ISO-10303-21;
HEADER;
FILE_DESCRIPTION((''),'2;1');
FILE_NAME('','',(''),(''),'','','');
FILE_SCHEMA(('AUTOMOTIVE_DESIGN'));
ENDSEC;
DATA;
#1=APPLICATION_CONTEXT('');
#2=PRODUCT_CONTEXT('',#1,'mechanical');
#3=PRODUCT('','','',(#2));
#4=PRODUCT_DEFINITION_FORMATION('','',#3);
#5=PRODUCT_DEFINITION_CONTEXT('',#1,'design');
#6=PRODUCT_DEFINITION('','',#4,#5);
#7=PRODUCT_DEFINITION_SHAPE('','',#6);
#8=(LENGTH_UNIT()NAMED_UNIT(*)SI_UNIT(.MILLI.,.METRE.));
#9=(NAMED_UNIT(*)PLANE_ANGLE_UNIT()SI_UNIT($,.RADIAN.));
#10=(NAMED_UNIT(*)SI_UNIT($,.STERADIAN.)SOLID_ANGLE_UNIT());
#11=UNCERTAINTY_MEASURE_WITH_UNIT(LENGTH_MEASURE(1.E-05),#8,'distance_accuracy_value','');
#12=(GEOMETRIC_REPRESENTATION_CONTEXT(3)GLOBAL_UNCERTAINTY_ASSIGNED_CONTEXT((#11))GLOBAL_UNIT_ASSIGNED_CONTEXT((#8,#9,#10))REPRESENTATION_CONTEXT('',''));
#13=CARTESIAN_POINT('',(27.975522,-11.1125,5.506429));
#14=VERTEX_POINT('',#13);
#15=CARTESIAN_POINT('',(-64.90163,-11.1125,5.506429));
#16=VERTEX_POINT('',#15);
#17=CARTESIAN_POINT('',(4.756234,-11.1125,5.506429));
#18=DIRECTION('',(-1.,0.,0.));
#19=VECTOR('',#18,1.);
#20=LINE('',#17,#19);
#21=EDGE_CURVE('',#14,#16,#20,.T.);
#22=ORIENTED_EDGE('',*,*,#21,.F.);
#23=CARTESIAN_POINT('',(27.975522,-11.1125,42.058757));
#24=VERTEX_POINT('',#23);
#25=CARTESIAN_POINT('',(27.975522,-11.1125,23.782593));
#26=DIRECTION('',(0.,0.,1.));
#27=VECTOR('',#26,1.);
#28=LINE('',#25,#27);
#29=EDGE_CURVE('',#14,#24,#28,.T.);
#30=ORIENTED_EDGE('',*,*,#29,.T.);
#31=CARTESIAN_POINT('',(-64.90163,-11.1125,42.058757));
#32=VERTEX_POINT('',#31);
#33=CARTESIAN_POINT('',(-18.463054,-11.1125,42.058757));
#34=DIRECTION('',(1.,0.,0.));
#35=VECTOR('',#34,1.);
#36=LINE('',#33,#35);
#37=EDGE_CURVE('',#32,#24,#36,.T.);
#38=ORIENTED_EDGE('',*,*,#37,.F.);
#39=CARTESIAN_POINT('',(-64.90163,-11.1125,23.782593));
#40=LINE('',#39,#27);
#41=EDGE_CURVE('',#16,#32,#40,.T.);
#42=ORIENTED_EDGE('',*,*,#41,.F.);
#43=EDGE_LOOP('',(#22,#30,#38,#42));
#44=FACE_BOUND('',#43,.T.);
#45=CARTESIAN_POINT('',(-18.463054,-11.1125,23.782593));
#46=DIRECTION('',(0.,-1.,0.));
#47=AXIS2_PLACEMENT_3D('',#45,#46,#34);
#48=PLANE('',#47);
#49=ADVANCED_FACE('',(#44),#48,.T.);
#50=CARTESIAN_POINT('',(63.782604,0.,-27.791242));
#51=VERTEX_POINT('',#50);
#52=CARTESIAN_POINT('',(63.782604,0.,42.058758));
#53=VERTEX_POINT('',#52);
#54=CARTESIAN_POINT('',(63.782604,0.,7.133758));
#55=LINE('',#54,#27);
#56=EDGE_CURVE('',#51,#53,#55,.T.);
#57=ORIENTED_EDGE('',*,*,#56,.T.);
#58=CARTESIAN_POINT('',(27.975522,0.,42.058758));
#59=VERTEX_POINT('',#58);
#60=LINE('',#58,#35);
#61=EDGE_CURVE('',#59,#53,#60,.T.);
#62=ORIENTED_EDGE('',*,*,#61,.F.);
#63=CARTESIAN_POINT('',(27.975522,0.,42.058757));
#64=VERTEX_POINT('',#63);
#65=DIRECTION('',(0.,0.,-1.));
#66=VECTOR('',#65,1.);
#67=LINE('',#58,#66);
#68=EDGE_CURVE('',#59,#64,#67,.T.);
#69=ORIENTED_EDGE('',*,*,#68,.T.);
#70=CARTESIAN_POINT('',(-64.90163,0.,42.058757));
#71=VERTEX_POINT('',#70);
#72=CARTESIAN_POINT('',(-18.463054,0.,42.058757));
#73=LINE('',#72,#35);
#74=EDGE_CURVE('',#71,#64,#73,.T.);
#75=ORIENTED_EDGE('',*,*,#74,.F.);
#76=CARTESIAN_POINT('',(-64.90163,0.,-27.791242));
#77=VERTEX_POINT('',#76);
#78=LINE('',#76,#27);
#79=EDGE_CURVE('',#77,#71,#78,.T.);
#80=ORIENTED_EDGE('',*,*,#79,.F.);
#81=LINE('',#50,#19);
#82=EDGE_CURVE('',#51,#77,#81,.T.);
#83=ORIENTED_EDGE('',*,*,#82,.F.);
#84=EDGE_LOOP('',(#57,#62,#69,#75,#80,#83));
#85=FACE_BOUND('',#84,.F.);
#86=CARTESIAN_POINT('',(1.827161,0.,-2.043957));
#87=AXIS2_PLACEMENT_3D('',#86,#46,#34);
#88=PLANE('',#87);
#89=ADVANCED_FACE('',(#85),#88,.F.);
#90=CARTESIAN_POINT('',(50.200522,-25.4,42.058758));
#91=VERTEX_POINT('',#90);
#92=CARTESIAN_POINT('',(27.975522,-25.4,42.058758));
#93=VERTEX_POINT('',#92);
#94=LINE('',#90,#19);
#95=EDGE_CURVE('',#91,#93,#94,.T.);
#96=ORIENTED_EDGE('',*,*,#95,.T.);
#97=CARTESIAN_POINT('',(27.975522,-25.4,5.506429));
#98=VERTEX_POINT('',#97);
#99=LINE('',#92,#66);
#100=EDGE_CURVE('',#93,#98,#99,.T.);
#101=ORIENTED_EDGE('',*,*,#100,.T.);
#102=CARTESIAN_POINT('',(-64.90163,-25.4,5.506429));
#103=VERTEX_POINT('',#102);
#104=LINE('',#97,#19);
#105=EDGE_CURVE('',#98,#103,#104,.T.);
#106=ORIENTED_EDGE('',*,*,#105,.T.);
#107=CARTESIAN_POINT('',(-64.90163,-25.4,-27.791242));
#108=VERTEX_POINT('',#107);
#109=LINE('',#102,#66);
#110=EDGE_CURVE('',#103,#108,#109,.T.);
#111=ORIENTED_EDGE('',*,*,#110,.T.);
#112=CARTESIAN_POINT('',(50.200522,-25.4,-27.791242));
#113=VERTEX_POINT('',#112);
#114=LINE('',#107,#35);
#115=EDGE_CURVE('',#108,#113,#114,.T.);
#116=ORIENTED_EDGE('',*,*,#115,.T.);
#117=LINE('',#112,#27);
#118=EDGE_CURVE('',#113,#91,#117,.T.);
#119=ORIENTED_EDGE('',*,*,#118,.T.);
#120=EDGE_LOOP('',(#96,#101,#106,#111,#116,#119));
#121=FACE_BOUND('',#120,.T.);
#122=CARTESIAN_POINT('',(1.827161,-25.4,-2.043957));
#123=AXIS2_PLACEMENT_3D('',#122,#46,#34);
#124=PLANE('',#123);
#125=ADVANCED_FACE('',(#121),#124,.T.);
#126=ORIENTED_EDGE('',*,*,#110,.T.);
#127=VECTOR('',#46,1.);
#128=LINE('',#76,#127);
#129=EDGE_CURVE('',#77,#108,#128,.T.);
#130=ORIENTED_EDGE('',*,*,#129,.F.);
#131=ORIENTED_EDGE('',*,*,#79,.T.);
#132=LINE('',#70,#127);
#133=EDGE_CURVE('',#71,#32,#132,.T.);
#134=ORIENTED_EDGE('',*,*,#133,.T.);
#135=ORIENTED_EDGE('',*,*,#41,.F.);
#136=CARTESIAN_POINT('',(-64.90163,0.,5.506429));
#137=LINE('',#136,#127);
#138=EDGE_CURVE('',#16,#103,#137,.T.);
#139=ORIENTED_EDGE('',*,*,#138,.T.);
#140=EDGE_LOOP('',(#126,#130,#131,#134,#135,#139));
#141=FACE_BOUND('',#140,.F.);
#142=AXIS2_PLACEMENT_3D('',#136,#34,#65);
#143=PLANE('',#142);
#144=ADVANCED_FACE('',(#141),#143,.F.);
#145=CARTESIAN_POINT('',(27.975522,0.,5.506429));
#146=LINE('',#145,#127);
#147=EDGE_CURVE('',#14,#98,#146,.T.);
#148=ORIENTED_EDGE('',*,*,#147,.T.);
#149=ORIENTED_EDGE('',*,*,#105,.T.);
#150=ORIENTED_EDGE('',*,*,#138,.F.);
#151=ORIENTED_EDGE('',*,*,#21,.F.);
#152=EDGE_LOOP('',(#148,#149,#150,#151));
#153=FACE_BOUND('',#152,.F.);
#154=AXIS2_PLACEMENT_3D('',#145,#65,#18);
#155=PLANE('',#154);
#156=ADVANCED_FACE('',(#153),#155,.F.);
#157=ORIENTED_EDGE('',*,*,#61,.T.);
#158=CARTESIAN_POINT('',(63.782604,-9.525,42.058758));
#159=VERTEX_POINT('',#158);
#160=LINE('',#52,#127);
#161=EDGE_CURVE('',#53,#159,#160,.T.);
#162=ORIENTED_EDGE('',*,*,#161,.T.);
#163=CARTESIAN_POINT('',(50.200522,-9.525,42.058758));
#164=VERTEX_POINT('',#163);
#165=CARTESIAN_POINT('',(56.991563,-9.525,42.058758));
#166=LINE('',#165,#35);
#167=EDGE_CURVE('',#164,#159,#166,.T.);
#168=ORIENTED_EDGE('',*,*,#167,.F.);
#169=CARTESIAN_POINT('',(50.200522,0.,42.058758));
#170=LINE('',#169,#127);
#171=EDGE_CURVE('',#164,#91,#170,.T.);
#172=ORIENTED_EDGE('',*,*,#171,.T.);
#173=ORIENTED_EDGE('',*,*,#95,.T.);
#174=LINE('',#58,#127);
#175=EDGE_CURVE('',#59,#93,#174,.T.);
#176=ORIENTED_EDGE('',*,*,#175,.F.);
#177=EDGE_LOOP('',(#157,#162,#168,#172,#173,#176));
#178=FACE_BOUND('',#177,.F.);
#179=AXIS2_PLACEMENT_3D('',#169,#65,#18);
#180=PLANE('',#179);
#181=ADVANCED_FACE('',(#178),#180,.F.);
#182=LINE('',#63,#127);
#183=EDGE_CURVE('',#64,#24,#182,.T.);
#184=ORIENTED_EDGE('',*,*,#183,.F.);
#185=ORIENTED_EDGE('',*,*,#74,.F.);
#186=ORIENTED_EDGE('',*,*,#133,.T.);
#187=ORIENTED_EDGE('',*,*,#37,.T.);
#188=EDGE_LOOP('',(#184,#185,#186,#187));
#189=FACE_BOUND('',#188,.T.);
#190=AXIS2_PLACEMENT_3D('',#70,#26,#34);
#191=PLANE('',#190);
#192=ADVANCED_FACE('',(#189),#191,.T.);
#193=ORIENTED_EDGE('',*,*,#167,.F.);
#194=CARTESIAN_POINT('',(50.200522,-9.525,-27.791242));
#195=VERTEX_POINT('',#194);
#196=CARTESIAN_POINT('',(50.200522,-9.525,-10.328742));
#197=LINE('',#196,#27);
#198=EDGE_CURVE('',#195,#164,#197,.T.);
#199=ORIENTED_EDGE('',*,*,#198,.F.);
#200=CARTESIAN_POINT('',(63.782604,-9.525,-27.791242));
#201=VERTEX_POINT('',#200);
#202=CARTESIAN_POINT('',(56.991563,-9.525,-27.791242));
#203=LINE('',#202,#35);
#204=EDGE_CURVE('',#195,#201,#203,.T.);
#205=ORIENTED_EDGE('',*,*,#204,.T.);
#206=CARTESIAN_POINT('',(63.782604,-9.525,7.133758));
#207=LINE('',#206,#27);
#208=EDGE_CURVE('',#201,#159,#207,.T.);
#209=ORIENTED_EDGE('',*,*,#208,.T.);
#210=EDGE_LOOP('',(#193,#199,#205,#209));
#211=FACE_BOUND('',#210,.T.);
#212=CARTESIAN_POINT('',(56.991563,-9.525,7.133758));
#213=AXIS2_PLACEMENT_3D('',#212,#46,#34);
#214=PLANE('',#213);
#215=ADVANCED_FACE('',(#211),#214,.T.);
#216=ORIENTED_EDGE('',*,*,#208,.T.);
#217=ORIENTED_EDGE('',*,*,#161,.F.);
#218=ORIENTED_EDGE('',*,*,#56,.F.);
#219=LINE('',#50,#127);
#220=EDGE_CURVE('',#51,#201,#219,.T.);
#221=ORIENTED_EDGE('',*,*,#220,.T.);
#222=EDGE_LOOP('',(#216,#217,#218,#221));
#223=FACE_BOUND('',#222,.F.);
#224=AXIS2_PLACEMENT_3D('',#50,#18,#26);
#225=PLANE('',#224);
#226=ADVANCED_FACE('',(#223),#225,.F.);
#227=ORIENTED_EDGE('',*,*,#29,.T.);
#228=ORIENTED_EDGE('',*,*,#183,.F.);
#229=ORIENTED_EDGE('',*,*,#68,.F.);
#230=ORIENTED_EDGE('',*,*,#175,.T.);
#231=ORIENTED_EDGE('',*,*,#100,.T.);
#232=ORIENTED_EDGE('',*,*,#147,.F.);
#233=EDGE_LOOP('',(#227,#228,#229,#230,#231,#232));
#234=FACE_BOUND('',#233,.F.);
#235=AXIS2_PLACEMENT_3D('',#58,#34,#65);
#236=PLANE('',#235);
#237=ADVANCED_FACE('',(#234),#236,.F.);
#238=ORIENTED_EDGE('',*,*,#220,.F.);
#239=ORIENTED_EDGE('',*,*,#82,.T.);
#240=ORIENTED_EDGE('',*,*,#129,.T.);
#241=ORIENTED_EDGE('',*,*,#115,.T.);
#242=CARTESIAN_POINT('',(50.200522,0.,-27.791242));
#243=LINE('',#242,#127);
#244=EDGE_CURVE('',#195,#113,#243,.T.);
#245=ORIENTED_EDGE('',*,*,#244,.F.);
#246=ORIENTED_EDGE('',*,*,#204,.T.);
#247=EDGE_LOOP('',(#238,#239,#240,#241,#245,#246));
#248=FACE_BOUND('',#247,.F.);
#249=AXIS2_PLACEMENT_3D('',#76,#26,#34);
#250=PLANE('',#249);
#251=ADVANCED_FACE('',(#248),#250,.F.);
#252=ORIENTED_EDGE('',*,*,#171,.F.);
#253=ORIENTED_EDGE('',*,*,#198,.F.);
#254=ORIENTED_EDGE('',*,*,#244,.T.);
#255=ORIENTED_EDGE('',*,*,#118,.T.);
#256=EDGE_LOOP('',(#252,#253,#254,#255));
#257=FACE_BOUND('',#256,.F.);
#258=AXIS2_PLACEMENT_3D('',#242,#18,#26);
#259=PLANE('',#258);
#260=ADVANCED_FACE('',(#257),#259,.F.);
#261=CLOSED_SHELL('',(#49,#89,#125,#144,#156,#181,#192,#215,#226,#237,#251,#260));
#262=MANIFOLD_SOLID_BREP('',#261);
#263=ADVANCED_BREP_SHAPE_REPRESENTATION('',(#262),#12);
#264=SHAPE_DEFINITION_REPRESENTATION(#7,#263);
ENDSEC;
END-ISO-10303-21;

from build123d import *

# Parameters (mm, degrees)
F1_DEPTH = 25.4
F0_W     = 92.877152
F0_H     = 36.552329
F2_DEPTH = 11.1125
F0_W_2   = 13.582083
F0_H_2   = 69.85
F3_DEPTH = 9.525


with BuildPart() as f1:
    # F0 (on Front) → F1 (new body)
    with BuildSketch(Plane.XZ):
        Polygon((27.975522, 5.506429), (-64.90163, 5.506429), (-64.90163, -27.791242), (50.200522, -27.791242), (50.200522, 42.058758), (27.975522, 42.058758), align=None)
    extrude(amount=F1_DEPTH)

    # F0 (on Front) → F2 (join)
    with BuildSketch(Plane.XZ):
        with Locations((-18.463054, 23.782593)):
            Rectangle(F0_W, F0_H)
    extrude(amount=F2_DEPTH)

    # F0 (on Front) → F3 (join)
    with BuildSketch(Plane.XZ):
        with Locations((56.991563, 7.133758)):
            Rectangle(F0_W_2, F0_H_2)
    extrude(amount=F3_DEPTH)


solid = f1.part
